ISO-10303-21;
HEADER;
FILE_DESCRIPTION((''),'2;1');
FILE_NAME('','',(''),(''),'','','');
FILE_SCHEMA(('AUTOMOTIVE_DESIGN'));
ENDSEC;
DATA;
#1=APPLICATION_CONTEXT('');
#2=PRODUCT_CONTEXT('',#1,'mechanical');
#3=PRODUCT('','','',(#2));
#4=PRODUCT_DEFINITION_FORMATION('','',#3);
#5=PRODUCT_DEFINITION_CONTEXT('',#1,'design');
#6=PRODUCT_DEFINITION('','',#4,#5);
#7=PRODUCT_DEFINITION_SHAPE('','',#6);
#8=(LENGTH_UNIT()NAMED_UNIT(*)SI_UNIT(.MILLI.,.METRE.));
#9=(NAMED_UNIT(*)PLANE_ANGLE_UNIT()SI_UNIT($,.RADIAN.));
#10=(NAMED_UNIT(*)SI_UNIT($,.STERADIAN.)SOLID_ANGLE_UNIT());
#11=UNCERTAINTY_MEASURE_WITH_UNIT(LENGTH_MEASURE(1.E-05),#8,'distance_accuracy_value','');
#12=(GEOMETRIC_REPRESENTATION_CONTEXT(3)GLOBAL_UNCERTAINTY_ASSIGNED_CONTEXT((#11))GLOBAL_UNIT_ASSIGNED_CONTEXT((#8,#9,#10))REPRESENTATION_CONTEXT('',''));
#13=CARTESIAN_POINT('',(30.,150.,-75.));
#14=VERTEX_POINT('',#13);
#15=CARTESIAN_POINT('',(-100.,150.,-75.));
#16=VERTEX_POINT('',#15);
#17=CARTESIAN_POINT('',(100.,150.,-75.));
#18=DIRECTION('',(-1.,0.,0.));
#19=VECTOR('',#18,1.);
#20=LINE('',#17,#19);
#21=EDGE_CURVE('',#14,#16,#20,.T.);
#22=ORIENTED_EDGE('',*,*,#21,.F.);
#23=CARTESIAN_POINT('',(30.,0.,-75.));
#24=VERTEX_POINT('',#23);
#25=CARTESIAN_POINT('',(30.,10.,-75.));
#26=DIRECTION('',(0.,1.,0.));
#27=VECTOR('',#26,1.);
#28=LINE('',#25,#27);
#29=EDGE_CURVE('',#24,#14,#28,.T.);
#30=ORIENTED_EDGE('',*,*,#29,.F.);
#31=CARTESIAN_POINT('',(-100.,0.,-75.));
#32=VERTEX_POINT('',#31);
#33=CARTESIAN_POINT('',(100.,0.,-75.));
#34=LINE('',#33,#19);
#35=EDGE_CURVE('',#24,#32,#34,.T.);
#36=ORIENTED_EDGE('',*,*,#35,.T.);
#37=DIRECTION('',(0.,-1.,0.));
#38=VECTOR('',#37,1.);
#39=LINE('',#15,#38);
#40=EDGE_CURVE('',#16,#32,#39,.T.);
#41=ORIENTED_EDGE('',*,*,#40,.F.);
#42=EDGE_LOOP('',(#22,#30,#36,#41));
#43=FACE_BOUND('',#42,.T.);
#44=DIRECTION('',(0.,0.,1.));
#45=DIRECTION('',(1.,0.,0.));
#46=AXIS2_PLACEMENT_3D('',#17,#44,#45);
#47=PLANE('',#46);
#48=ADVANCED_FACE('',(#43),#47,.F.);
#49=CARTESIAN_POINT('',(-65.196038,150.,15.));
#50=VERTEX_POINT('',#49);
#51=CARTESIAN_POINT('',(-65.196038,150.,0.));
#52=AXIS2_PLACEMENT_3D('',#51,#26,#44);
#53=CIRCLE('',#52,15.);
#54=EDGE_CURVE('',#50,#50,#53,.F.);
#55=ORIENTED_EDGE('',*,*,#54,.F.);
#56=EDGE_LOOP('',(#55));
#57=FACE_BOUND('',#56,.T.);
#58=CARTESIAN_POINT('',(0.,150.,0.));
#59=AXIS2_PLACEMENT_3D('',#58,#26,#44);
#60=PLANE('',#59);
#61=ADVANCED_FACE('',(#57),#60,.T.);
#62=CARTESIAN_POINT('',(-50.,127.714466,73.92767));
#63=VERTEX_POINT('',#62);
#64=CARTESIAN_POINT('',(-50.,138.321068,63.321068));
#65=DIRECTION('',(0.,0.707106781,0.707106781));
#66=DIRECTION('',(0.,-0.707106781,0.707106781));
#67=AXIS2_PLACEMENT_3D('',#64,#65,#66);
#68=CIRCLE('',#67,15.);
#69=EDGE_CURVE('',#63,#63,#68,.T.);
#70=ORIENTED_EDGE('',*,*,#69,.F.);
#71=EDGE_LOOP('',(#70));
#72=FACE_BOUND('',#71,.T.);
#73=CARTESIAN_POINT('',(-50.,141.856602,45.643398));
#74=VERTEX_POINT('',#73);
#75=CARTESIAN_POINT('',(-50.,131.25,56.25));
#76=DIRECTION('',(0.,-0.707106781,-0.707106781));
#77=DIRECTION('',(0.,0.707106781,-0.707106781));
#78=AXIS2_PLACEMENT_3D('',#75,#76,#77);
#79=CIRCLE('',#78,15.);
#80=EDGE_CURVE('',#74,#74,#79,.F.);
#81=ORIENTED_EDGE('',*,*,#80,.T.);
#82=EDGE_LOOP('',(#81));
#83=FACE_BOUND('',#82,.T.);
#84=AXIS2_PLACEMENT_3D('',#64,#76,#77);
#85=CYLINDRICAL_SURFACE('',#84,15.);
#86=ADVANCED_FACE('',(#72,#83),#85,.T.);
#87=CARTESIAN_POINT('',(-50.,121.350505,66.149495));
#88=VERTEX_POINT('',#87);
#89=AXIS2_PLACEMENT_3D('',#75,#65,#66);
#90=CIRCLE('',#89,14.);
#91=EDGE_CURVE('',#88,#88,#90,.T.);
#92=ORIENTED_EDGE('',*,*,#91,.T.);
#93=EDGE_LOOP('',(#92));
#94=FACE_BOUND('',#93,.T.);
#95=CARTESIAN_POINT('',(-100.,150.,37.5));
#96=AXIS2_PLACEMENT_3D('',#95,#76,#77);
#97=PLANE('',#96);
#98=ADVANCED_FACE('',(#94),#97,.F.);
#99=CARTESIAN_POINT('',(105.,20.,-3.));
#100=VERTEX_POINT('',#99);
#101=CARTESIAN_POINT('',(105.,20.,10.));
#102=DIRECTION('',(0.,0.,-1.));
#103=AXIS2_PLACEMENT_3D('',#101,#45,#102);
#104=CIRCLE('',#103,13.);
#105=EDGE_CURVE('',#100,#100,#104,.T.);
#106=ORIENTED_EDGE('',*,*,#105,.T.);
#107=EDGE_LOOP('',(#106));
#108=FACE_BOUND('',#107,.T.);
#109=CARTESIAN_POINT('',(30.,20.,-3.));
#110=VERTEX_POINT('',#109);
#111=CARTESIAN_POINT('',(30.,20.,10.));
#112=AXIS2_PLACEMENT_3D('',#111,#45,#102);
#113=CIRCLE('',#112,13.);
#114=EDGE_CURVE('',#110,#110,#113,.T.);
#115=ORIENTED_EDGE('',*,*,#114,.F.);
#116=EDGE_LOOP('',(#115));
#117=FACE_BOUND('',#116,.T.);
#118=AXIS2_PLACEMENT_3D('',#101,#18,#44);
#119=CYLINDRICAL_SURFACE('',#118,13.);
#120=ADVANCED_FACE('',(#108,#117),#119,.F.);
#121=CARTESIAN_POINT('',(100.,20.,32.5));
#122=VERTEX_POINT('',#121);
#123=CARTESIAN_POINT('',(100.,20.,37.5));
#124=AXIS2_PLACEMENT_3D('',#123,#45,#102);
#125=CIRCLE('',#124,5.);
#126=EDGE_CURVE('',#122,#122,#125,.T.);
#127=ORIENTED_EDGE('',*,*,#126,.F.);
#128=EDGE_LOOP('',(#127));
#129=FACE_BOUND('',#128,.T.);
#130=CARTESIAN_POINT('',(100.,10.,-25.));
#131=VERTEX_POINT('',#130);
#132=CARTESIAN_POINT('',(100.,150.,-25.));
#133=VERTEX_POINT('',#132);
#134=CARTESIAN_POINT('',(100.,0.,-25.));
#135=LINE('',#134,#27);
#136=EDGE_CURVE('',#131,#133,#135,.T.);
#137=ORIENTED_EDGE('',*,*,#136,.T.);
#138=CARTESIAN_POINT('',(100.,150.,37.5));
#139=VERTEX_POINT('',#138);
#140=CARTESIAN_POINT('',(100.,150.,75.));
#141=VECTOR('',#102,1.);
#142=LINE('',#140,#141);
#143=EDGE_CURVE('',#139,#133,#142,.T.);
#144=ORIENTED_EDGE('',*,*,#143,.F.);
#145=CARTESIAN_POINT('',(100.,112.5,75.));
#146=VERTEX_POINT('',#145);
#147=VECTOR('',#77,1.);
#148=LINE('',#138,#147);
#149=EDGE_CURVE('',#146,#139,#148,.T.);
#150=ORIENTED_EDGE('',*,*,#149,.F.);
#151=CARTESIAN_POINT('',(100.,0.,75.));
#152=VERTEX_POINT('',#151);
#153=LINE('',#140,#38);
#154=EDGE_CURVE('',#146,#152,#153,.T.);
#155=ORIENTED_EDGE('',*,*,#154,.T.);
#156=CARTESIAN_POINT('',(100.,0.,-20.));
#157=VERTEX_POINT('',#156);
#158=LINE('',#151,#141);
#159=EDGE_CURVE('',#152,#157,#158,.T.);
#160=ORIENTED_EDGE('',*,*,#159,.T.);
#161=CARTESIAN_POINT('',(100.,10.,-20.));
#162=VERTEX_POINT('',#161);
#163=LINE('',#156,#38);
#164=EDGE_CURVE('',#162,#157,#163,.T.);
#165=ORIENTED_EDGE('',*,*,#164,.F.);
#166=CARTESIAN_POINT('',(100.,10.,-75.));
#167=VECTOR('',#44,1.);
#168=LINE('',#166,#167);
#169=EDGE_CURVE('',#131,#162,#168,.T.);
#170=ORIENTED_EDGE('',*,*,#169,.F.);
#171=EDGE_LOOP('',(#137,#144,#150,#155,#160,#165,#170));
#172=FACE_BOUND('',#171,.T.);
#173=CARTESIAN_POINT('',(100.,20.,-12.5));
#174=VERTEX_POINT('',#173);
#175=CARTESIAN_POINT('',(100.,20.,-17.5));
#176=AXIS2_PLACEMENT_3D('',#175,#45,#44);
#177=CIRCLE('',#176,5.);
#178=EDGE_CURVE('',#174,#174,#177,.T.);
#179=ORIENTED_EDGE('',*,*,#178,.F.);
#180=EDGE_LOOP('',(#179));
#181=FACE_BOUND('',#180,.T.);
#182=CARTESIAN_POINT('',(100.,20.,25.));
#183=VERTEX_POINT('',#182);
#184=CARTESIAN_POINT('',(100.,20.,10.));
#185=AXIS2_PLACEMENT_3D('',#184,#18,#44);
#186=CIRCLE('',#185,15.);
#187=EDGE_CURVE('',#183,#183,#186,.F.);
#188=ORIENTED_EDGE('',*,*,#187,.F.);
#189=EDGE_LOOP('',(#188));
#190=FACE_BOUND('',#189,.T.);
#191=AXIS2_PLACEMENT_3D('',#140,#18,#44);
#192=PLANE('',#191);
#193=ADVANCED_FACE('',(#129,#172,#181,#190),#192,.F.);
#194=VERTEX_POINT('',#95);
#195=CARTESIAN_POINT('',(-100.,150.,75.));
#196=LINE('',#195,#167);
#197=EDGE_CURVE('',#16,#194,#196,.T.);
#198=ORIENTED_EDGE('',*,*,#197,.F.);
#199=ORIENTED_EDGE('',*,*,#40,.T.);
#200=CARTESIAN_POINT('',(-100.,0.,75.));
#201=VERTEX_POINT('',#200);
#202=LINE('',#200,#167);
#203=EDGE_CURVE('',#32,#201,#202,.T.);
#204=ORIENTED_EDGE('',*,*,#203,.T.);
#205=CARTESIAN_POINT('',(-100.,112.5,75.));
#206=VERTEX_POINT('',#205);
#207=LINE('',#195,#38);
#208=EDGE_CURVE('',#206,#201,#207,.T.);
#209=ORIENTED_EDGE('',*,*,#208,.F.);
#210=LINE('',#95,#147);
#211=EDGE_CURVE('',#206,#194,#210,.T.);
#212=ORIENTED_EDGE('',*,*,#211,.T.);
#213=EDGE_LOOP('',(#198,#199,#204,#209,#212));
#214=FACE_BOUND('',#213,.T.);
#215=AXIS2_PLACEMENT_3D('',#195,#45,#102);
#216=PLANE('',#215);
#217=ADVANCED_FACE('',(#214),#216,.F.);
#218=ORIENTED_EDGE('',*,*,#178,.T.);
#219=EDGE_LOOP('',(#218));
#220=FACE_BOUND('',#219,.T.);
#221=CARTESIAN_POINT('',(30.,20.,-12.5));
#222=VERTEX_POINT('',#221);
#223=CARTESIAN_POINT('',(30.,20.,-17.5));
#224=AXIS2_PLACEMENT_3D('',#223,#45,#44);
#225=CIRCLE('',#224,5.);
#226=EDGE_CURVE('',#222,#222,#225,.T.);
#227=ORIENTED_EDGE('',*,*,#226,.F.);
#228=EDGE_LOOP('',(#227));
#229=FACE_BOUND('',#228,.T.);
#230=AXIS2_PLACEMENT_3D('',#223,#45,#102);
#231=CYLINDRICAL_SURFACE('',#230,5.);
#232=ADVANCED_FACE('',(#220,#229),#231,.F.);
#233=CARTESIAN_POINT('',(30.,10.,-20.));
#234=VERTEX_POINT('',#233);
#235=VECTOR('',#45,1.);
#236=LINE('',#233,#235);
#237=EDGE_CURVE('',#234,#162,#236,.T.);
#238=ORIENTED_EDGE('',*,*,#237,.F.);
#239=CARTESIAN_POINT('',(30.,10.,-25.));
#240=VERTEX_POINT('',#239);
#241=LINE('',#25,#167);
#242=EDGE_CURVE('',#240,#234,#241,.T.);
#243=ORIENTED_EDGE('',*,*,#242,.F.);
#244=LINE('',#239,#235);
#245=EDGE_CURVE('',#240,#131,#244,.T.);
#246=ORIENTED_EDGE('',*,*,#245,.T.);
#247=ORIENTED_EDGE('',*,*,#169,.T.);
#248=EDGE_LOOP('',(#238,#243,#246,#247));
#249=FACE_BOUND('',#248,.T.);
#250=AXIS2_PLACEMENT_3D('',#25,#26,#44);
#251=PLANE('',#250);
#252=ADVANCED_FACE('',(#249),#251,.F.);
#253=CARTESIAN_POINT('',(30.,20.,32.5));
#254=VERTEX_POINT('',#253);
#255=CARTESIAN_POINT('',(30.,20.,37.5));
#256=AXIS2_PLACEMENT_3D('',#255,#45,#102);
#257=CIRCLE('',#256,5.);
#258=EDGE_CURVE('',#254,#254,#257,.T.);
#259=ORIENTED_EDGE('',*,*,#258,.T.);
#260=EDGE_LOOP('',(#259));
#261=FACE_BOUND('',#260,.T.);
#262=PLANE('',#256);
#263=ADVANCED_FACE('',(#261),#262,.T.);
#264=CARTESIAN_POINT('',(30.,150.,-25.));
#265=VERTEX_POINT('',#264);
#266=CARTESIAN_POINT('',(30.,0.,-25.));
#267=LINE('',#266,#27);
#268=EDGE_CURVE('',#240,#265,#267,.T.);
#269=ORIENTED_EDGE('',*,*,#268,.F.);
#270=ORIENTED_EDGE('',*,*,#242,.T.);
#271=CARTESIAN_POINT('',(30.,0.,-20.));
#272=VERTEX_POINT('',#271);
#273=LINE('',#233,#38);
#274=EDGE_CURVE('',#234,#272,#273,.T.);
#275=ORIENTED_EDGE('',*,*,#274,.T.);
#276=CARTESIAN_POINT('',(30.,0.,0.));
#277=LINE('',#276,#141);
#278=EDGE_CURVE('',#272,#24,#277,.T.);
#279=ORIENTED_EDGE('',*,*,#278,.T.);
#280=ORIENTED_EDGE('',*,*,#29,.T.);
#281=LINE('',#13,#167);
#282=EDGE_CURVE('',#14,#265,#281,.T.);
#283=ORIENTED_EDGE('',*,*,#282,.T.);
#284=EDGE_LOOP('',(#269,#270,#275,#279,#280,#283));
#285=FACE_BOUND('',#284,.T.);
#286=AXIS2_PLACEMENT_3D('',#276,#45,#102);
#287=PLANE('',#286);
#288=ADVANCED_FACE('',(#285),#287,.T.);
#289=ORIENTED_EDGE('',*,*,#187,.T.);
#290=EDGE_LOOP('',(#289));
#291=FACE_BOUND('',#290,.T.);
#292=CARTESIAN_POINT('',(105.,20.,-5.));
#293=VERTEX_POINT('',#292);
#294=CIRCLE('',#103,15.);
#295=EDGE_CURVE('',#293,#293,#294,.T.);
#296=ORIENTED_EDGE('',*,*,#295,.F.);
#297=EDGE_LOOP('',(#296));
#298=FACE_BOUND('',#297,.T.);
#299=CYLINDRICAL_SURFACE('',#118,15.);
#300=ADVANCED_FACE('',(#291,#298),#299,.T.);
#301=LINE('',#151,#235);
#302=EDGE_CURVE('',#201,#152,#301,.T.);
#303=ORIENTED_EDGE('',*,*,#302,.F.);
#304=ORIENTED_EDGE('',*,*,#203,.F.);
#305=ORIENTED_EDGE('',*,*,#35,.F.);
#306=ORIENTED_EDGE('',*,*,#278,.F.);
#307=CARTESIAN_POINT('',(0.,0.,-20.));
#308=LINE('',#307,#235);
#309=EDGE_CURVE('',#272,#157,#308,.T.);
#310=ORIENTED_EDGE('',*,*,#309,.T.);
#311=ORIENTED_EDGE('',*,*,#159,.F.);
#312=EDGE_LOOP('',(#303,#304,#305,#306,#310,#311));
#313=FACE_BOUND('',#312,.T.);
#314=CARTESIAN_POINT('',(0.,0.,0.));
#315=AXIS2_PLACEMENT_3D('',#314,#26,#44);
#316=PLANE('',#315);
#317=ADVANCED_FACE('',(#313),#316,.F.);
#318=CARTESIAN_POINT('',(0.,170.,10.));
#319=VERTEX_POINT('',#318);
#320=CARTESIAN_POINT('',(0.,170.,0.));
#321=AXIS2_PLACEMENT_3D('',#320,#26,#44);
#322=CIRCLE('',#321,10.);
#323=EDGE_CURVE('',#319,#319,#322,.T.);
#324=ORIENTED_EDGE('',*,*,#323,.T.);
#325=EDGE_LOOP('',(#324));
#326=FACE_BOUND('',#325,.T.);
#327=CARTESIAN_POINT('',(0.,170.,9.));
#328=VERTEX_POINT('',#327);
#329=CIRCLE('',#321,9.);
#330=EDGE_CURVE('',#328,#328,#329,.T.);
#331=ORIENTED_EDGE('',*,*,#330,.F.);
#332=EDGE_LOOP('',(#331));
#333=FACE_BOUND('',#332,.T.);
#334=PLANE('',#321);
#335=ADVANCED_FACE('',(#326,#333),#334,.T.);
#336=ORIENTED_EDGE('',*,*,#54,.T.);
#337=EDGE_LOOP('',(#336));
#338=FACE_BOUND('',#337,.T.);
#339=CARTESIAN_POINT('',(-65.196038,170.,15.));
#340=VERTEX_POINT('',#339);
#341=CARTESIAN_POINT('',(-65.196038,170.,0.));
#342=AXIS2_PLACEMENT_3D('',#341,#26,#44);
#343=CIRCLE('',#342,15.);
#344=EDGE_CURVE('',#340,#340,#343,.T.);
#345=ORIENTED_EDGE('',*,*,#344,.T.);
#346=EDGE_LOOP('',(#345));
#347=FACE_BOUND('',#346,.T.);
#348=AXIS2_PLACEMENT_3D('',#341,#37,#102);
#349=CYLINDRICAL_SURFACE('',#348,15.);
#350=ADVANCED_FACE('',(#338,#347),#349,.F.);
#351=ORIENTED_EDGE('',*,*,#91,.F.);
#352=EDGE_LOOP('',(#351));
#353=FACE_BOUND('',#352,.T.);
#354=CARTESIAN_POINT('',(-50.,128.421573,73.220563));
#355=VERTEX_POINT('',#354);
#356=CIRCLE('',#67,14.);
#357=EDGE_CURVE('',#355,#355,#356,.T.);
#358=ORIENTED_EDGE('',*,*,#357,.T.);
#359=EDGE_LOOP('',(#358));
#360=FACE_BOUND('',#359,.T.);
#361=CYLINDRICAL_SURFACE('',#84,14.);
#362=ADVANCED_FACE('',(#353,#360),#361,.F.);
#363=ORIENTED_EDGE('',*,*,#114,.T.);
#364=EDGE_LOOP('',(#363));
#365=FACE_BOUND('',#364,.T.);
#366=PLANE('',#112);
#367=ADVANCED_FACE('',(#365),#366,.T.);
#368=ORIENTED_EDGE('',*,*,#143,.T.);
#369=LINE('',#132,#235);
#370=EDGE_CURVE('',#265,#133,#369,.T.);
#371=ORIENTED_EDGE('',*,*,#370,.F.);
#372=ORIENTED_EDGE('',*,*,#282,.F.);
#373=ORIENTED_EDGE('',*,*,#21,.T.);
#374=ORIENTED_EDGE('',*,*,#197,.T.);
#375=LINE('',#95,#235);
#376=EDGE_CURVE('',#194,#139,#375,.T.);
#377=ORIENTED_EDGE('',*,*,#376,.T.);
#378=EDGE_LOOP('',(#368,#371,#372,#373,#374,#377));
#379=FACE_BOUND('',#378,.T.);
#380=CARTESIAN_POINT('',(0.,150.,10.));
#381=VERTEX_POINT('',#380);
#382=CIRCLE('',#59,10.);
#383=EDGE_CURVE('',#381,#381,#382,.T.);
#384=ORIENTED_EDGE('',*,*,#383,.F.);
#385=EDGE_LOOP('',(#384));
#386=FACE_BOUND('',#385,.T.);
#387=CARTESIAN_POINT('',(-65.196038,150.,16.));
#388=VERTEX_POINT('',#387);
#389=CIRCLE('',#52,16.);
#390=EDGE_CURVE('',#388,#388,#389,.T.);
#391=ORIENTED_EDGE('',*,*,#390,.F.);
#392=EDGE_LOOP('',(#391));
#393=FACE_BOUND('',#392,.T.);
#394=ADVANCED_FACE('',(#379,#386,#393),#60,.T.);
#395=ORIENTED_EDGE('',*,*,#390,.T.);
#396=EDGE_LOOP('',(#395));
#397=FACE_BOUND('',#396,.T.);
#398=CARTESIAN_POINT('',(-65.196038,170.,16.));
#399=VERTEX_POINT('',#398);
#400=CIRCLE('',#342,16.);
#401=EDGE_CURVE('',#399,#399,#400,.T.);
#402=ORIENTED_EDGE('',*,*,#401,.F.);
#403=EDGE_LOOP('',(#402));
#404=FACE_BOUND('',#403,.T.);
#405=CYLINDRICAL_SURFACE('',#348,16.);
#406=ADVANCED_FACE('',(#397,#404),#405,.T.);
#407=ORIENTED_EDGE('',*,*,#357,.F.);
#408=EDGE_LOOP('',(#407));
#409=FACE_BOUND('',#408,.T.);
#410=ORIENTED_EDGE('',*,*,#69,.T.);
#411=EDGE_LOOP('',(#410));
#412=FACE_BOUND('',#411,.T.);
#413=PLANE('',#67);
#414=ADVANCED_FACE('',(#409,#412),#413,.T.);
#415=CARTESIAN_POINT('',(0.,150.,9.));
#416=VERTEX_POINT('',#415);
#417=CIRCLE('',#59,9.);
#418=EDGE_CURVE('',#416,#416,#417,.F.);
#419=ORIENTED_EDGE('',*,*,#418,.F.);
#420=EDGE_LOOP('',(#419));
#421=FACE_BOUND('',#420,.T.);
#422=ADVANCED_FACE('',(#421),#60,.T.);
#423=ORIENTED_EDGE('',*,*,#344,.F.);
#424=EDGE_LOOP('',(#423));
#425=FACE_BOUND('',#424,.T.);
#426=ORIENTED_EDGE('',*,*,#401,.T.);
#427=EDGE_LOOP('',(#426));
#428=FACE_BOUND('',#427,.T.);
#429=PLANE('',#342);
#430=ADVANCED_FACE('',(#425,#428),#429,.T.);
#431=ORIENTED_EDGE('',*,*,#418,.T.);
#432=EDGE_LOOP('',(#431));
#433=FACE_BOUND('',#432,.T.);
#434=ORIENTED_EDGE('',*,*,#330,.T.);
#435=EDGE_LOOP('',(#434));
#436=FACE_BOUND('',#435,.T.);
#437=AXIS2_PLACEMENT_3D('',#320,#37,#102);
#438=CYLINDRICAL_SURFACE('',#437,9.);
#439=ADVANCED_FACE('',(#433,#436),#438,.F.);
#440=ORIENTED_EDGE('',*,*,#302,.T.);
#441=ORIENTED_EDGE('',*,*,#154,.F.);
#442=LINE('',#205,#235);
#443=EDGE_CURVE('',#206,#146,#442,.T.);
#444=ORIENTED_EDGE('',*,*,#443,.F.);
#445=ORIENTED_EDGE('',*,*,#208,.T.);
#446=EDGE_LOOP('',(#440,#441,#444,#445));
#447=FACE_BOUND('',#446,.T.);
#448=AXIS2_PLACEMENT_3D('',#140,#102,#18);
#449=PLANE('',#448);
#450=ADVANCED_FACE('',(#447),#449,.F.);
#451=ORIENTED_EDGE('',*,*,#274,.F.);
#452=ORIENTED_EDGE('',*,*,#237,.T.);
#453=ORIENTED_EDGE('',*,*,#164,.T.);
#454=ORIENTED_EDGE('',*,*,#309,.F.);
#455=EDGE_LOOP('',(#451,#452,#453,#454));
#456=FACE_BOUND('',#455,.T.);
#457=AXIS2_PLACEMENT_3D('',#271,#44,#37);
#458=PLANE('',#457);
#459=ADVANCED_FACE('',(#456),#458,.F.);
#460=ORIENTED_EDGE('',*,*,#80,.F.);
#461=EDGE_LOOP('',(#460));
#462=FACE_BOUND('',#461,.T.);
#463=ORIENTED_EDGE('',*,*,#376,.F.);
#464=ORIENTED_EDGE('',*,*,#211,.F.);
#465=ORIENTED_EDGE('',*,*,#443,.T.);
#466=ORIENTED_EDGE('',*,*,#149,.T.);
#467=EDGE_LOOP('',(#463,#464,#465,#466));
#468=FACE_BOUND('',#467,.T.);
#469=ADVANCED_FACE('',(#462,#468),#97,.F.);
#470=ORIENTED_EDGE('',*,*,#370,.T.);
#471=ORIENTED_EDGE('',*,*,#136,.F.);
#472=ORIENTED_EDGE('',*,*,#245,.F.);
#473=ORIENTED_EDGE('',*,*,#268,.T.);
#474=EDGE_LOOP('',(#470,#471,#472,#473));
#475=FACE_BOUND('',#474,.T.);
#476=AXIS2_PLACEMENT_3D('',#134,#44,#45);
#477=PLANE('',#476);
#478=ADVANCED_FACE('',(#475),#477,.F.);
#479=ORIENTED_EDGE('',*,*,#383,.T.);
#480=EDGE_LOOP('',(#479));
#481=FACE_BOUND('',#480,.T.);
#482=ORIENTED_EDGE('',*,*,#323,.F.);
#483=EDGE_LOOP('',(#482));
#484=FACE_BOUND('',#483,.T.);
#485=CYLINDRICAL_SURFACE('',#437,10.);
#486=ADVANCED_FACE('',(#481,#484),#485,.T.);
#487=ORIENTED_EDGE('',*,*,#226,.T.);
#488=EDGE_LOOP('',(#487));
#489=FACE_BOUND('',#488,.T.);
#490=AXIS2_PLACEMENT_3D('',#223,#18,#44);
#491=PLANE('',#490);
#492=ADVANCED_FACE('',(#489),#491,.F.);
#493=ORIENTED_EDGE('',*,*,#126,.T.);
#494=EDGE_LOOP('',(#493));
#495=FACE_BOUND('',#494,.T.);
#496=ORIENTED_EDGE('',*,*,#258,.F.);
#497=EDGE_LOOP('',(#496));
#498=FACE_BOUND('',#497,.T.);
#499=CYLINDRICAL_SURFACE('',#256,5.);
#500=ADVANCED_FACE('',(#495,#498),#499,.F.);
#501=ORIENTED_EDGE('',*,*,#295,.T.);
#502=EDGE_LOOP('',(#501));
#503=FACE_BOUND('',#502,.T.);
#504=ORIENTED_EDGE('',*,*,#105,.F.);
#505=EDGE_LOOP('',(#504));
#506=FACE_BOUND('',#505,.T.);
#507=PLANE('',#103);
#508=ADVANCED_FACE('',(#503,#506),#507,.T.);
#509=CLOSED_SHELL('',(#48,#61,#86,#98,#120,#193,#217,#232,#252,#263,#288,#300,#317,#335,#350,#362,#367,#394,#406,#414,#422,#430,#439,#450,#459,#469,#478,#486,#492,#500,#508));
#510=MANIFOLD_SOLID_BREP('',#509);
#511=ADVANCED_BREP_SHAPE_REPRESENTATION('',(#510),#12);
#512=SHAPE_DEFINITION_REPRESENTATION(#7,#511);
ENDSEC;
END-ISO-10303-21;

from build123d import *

# Parameters (mm, degrees)
SKETCH1_W           = 200
SKETCH1_H           = 150
BOSS_EXTRUDE1_DEPTH = 150
SKETCH2_R           = 15
SKETCH2_R_2         = 13
BOSS_EXTRUDE2_DEPTH = 5
SKETCH3_R           = 13
SKETCH3_R_2         = 5
CUT_EXTRUDE1_DEPTH  = 70
CUT_EXTRUDE2_DEPTH  = 201
SKETCH5_R           = 15
SKETCH5_R_2         = 14
BOSS_EXTRUDE3_DEPTH = 10
SKETCH7_R           = 10
SKETCH7_R_2         = 9
SKETCH7_R_3         = 16
SKETCH7_R_4         = 15
BOSS_EXTRUDE4_DEPTH = 20
SKETCH10_W          = 70
SKETCH10_H          = 50
CUT_EXTRUDE5_DEPTH  = 151


with BuildPart() as part:
    # Sketch1 → Boss-Extrude1 (new body)
    with BuildSketch(Plane(origin=(0, 0, 0), x_dir=(1, 0, 0), z_dir=(0, 1, 0))):
        Rectangle(SKETCH1_W, SKETCH1_H)
    extrude(amount=BOSS_EXTRUDE1_DEPTH)

    # Sketch2 → Boss-Extrude2 (add)
    with BuildSketch(Plane(origin=(100, 0, 0), x_dir=(0, 0, -1), z_dir=(1, 0, 0))):
        with Locations((-10, 20)):
            Circle(SKETCH2_R)
        with Locations((-10, 20)):
            Circle(SKETCH2_R_2, mode=Mode.SUBTRACT)
    extrude(amount=BOSS_EXTRUDE2_DEPTH)

    # Sketch3 → Cut-Extrude1 (cut)
    with BuildSketch(Plane(origin=(100, 0, 0), x_dir=(0, 0, -1), z_dir=(1, 0, 0))):
        with Locations((-10, 20)):
            Circle(SKETCH3_R)
        with Locations((-37.5, 20)):
            Circle(SKETCH3_R_2)
        with Locations((17.5, 20)):
            Circle(SKETCH3_R_2)
        Polygon((75, 10), (20, 10), (20, 0), (20, -30), (75, -30), (75, 0), align=None)
    extrude(amount=-CUT_EXTRUDE1_DEPTH, mode=Mode.SUBTRACT)

    # Sketch4 → Cut-Extrude2 (cut, through all)
    with BuildSketch(Plane(origin=(100, 0, 0), x_dir=(0, 0, -1), z_dir=(1, 0, 0))):
        Polygon((-37.5, 150), (-75, 112.5), (-75, 150), align=None)
    extrude(amount=-CUT_EXTRUDE2_DEPTH, mode=Mode.SUBTRACT)

    # Sketch5 → Boss-Extrude3 (add)
    with BuildSketch(Plane(origin=(0, 93.75, 93.75), x_dir=(1, 0, 0), z_dir=(0, 0.707106781, 0.707106781))):
        with Locations((-50, 53.033008589)):
            Circle(SKETCH5_R)
        with Locations((-50, 53.033008589)):
            Circle(SKETCH5_R_2, mode=Mode.SUBTRACT)
    extrude(amount=BOSS_EXTRUDE3_DEPTH)

    # Sketch7 → Boss-Extrude4 (add)
    with BuildSketch(Plane(origin=(0, 150, 0), x_dir=(1, 0, 0), z_dir=(0, 1, 0))):
        Circle(SKETCH7_R)
        Circle(SKETCH7_R_2, mode=Mode.SUBTRACT)
        with Locations((-65.196037567, 0)):
            Circle(SKETCH7_R_3)
        with Locations((-65.196037567, 0)):
            Circle(SKETCH7_R_4, mode=Mode.SUBTRACT)
    extrude(amount=BOSS_EXTRUDE4_DEPTH)

    # Sketch10 → Cut-Extrude5 (cut, through all)
    with BuildSketch(Plane(origin=(0, 150, 0), x_dir=(1, 0, 0), z_dir=(0, 1, 0))):
        with Locations((65, 50)):
            Rectangle(SKETCH10_W, SKETCH10_H)
    extrude(amount=-CUT_EXTRUDE5_DEPTH, mode=Mode.SUBTRACT)


solid = part.part
